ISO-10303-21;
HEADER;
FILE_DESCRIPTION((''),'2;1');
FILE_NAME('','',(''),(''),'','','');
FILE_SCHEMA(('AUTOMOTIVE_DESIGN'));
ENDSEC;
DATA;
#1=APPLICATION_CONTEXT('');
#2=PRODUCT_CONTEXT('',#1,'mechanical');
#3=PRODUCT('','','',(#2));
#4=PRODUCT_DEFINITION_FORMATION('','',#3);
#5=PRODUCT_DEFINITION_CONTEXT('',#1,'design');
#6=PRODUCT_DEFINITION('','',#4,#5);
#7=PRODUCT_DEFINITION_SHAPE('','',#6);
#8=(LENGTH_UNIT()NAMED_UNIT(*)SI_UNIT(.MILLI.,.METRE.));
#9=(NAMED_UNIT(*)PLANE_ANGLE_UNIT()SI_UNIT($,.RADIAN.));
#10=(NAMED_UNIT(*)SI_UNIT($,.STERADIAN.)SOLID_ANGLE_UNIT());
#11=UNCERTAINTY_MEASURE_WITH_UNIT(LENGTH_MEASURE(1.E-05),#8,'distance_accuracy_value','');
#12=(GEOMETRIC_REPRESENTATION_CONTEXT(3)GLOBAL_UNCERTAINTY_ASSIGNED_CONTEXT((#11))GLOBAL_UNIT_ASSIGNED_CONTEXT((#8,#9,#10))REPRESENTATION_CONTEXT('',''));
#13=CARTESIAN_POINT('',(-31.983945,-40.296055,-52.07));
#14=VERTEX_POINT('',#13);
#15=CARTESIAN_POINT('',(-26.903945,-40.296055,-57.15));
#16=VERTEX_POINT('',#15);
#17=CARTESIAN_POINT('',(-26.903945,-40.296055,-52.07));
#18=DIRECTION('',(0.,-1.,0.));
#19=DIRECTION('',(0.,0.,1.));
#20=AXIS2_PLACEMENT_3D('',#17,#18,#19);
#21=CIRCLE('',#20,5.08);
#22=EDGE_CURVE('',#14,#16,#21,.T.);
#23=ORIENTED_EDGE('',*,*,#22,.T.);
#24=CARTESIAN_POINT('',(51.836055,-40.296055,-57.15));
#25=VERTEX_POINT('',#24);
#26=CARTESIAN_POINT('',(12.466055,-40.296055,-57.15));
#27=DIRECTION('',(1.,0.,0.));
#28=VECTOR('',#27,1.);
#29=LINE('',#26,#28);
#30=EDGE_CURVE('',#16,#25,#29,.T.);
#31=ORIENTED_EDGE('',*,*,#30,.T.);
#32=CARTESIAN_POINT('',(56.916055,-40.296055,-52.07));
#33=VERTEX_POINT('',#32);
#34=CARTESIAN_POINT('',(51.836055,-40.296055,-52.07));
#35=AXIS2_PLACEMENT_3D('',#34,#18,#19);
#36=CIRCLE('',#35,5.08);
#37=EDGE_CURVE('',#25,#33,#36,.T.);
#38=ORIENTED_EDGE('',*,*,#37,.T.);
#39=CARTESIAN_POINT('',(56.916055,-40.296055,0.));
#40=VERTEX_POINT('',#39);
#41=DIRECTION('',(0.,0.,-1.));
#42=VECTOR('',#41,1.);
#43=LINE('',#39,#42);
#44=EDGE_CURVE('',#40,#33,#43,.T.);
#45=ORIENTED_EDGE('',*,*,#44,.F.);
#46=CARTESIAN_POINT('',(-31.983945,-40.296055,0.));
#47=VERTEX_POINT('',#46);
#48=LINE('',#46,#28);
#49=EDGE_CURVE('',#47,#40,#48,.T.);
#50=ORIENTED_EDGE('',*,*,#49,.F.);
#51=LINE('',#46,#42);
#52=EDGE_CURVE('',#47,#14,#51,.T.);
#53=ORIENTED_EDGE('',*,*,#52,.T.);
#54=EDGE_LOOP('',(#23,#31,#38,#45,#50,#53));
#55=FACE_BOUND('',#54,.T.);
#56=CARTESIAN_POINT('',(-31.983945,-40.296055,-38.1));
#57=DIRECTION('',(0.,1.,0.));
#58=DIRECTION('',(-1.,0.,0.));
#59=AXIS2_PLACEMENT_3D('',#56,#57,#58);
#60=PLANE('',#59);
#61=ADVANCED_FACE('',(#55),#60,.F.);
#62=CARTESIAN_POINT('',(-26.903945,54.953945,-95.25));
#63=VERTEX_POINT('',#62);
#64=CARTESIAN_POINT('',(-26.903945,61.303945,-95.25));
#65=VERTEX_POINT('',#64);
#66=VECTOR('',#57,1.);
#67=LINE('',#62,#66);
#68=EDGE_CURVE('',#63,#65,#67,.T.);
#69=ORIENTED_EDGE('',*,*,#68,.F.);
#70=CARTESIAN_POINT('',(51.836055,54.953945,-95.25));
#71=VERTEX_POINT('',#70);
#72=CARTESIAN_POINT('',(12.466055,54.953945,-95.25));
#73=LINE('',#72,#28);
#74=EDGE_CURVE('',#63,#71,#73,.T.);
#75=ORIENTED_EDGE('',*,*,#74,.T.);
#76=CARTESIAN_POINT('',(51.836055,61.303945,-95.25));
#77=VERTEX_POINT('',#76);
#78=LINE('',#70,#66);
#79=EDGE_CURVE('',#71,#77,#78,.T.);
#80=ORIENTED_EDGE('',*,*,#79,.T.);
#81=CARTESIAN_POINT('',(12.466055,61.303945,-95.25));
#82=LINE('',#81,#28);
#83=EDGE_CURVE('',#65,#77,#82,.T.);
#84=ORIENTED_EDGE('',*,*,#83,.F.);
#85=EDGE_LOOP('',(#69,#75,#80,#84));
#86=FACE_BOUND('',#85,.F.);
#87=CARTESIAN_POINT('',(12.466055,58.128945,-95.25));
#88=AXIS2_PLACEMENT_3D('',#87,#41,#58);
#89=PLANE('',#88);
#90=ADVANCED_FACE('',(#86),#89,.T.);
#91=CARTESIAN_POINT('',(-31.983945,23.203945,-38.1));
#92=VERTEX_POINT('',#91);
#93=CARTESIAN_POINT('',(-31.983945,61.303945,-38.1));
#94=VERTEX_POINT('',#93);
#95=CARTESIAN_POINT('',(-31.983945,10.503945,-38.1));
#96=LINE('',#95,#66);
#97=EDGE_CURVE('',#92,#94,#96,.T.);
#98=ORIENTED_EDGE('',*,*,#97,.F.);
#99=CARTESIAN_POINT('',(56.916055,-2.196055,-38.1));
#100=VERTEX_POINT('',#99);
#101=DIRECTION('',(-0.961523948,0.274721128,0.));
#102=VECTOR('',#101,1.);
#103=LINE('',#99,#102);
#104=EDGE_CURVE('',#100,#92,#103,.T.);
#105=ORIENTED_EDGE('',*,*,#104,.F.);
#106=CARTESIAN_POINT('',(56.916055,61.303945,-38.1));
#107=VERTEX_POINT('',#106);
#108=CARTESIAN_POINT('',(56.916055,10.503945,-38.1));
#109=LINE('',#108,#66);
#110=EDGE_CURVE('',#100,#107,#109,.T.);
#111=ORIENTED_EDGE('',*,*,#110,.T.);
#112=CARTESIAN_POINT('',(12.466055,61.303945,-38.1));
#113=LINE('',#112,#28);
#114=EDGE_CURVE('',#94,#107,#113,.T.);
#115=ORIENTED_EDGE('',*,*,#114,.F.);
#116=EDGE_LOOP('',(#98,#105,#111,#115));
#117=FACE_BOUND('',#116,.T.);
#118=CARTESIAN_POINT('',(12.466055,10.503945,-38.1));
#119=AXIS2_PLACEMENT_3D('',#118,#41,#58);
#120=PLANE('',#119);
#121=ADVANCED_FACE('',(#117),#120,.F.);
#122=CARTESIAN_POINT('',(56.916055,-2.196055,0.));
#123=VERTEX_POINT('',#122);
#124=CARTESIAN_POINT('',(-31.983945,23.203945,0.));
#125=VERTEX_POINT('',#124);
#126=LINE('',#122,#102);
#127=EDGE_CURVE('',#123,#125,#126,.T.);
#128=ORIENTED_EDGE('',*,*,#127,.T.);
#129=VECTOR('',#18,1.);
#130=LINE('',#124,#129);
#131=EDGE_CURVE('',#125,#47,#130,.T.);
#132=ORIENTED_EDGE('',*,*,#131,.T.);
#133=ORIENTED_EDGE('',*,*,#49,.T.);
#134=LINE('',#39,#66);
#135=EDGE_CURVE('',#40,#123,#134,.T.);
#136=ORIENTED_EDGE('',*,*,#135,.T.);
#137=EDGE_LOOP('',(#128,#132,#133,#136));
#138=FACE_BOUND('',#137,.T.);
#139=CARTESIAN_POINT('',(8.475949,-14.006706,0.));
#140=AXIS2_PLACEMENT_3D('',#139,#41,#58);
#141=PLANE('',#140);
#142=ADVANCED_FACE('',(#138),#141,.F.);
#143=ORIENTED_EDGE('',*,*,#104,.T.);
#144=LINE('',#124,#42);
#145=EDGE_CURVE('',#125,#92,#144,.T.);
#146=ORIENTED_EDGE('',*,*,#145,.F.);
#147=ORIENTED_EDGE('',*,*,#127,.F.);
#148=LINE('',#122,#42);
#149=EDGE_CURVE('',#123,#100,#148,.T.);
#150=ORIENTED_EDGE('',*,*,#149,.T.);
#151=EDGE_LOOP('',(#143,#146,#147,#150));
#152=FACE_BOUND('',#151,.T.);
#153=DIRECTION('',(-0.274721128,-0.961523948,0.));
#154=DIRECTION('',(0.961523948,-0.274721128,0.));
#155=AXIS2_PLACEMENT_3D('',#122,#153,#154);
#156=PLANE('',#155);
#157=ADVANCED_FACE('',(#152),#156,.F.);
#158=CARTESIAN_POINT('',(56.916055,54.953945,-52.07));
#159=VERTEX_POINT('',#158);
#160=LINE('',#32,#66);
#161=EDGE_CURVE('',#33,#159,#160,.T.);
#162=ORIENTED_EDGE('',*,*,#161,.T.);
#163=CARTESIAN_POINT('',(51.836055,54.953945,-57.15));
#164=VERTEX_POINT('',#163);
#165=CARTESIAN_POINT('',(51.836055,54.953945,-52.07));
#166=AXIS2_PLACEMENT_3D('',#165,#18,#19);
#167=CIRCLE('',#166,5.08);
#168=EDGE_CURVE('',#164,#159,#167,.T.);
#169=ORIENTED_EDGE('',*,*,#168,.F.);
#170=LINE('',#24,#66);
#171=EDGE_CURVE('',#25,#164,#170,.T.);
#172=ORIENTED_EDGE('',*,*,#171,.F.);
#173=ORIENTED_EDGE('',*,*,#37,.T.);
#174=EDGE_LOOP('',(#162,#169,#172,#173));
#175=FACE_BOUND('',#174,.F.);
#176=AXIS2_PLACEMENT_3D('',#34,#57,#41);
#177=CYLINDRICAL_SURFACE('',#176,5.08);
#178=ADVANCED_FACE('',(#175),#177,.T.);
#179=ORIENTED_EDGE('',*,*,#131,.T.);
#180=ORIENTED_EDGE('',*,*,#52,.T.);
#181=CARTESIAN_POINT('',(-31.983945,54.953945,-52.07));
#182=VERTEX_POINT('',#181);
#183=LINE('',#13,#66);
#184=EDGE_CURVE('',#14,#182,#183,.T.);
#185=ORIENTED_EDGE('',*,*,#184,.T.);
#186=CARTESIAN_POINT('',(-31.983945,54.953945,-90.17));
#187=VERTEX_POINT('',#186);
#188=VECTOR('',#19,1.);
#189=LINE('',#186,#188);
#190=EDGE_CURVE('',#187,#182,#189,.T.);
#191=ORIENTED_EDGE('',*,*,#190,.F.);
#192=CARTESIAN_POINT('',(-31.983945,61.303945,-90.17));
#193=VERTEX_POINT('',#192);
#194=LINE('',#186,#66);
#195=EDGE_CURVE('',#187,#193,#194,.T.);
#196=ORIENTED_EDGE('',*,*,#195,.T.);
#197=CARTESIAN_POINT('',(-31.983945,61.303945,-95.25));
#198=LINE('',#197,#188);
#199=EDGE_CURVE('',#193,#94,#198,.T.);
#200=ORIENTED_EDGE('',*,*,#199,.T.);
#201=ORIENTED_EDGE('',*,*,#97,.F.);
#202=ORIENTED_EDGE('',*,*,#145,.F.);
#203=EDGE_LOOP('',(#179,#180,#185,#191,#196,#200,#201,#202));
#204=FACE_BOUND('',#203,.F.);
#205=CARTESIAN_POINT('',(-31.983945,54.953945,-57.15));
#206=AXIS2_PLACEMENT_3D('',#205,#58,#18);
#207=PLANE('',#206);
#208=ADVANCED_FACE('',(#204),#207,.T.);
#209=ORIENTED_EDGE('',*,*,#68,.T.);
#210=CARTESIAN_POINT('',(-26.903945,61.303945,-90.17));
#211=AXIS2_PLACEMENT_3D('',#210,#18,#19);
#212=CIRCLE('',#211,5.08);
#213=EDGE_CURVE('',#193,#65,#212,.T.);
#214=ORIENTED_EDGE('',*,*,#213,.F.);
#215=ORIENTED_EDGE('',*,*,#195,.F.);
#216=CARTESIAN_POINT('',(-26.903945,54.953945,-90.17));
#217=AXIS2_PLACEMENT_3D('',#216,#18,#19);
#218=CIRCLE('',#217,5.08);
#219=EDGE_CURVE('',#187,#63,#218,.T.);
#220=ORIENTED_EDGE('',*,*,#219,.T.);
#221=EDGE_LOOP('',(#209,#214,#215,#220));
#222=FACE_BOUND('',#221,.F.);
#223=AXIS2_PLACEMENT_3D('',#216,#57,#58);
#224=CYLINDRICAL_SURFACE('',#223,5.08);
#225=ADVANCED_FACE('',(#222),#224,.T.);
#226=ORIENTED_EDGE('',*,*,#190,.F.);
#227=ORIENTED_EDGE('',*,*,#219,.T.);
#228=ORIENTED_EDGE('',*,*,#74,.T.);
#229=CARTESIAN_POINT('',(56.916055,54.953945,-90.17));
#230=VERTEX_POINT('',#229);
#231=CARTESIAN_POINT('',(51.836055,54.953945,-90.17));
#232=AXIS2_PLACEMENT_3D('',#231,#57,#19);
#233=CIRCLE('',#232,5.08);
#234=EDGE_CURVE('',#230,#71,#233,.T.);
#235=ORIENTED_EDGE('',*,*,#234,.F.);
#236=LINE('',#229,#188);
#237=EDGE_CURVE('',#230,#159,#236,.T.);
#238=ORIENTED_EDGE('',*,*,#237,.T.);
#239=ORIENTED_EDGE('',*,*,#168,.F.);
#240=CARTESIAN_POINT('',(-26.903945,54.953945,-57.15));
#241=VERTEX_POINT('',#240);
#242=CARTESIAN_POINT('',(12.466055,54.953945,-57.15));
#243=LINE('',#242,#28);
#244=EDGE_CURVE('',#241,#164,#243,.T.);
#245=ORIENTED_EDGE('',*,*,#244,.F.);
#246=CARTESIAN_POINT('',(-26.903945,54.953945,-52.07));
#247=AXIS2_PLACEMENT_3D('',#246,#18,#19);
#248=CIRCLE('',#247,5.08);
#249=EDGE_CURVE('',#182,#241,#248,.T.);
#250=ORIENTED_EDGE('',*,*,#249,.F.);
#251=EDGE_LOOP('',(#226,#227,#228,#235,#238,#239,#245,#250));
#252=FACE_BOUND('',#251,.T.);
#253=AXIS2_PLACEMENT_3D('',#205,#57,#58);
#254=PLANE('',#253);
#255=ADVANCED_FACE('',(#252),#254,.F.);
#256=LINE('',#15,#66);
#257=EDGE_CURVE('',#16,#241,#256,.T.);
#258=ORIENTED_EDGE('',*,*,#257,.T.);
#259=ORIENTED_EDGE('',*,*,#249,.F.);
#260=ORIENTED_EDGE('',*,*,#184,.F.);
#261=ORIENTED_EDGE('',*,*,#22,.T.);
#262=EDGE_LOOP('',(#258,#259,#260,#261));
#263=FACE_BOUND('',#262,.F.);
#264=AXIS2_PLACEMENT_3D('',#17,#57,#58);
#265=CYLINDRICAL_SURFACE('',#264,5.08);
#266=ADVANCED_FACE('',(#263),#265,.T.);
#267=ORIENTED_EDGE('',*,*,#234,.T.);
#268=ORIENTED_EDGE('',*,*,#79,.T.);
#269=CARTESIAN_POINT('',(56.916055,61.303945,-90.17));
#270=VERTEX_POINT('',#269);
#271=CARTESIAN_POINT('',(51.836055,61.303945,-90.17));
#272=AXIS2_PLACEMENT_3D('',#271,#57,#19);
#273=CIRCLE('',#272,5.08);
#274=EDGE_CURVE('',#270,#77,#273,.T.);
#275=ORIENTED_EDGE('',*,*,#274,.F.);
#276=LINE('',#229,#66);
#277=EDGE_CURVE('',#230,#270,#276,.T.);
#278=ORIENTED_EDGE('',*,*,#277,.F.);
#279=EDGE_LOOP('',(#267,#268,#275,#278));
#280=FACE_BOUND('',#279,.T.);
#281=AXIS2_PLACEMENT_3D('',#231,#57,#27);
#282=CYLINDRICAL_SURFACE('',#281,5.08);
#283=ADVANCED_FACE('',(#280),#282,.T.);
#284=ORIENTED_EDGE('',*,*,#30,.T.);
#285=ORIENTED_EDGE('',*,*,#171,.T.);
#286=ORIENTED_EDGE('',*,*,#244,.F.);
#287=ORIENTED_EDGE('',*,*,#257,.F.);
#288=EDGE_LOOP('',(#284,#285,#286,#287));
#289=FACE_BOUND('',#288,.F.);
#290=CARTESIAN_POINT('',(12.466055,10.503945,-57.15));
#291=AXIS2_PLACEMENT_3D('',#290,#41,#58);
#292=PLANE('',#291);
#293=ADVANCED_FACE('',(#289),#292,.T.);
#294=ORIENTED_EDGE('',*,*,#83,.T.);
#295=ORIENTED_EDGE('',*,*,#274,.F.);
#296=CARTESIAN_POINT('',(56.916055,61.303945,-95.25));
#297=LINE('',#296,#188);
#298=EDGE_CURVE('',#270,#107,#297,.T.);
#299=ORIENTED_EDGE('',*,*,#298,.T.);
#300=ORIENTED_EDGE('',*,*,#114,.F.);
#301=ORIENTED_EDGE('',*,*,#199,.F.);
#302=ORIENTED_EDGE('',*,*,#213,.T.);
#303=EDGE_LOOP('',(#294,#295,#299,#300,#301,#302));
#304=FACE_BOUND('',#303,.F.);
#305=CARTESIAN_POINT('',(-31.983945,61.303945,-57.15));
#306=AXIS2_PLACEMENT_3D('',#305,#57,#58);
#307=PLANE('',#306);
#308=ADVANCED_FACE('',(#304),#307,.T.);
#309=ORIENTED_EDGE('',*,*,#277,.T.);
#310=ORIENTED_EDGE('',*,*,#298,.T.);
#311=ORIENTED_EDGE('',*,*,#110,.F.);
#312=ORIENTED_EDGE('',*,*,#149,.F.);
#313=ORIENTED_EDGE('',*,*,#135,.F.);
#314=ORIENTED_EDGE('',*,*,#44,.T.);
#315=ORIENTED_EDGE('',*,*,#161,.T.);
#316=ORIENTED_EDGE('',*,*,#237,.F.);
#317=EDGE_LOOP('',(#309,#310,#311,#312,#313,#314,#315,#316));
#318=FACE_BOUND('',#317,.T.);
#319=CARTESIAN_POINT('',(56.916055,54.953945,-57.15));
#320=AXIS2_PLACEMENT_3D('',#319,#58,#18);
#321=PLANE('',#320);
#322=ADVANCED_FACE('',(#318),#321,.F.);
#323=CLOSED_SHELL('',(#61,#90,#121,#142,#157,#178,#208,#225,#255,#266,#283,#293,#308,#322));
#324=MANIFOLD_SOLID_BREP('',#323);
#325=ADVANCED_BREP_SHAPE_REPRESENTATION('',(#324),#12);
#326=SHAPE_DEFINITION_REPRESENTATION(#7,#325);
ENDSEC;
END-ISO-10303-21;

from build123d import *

# Parameters (mm, degrees)
F1_DEPTH = 38.1
F2_W     = 88.9
F2_H     = 101.6
F3_DEPTH = 19.05
F4_W     = 88.9
F4_H     = 6.35
F5_DEPTH = 38.1
F8_R     = 5.08


with BuildPart() as f1:
    # F0 (on Top) → F1 (new body)
    with BuildSketch(Plane.XY):
        Polygon((-31.983944577, 23.2039450469), (-31.983944577, -40.2960549531), (56.916055423, -40.2960549531), (56.916055423, -2.1960549531), align=None)
    extrude(amount=F1_DEPTH)

    # F2 (on face) → F3 (join)
    with BuildSketch(Plane.XY.offset(38.1)):
        with Locations((12.466055423, 10.5039450469)):
            Rectangle(F2_W, F2_H)
    extrude(amount=F3_DEPTH)

    # F4 (on face) → F5 (join)
    with BuildSketch(Plane.XY.offset(57.15)):
        with Locations((12.466055423, 58.1289450469)):
            Rectangle(F4_W, F4_H)
    extrude(amount=F5_DEPTH)


with BuildPart() as f6_1:
    # F6: instance of F1
    add(f1.part.mirror(Plane.XY))

    # F8
    f8_edges = [f6_1.edges().sort_by_distance(p)[0] for p in [
        (56.916055, 7.328945, -57.15),
        (-31.983945, 7.328945, -57.15),
        (56.916055, 58.128945, -95.25),
        (-31.983945, 58.128945, -95.25),
    ]]
    fillet(f8_edges, radius=F8_R)


solid = f6_1.part
